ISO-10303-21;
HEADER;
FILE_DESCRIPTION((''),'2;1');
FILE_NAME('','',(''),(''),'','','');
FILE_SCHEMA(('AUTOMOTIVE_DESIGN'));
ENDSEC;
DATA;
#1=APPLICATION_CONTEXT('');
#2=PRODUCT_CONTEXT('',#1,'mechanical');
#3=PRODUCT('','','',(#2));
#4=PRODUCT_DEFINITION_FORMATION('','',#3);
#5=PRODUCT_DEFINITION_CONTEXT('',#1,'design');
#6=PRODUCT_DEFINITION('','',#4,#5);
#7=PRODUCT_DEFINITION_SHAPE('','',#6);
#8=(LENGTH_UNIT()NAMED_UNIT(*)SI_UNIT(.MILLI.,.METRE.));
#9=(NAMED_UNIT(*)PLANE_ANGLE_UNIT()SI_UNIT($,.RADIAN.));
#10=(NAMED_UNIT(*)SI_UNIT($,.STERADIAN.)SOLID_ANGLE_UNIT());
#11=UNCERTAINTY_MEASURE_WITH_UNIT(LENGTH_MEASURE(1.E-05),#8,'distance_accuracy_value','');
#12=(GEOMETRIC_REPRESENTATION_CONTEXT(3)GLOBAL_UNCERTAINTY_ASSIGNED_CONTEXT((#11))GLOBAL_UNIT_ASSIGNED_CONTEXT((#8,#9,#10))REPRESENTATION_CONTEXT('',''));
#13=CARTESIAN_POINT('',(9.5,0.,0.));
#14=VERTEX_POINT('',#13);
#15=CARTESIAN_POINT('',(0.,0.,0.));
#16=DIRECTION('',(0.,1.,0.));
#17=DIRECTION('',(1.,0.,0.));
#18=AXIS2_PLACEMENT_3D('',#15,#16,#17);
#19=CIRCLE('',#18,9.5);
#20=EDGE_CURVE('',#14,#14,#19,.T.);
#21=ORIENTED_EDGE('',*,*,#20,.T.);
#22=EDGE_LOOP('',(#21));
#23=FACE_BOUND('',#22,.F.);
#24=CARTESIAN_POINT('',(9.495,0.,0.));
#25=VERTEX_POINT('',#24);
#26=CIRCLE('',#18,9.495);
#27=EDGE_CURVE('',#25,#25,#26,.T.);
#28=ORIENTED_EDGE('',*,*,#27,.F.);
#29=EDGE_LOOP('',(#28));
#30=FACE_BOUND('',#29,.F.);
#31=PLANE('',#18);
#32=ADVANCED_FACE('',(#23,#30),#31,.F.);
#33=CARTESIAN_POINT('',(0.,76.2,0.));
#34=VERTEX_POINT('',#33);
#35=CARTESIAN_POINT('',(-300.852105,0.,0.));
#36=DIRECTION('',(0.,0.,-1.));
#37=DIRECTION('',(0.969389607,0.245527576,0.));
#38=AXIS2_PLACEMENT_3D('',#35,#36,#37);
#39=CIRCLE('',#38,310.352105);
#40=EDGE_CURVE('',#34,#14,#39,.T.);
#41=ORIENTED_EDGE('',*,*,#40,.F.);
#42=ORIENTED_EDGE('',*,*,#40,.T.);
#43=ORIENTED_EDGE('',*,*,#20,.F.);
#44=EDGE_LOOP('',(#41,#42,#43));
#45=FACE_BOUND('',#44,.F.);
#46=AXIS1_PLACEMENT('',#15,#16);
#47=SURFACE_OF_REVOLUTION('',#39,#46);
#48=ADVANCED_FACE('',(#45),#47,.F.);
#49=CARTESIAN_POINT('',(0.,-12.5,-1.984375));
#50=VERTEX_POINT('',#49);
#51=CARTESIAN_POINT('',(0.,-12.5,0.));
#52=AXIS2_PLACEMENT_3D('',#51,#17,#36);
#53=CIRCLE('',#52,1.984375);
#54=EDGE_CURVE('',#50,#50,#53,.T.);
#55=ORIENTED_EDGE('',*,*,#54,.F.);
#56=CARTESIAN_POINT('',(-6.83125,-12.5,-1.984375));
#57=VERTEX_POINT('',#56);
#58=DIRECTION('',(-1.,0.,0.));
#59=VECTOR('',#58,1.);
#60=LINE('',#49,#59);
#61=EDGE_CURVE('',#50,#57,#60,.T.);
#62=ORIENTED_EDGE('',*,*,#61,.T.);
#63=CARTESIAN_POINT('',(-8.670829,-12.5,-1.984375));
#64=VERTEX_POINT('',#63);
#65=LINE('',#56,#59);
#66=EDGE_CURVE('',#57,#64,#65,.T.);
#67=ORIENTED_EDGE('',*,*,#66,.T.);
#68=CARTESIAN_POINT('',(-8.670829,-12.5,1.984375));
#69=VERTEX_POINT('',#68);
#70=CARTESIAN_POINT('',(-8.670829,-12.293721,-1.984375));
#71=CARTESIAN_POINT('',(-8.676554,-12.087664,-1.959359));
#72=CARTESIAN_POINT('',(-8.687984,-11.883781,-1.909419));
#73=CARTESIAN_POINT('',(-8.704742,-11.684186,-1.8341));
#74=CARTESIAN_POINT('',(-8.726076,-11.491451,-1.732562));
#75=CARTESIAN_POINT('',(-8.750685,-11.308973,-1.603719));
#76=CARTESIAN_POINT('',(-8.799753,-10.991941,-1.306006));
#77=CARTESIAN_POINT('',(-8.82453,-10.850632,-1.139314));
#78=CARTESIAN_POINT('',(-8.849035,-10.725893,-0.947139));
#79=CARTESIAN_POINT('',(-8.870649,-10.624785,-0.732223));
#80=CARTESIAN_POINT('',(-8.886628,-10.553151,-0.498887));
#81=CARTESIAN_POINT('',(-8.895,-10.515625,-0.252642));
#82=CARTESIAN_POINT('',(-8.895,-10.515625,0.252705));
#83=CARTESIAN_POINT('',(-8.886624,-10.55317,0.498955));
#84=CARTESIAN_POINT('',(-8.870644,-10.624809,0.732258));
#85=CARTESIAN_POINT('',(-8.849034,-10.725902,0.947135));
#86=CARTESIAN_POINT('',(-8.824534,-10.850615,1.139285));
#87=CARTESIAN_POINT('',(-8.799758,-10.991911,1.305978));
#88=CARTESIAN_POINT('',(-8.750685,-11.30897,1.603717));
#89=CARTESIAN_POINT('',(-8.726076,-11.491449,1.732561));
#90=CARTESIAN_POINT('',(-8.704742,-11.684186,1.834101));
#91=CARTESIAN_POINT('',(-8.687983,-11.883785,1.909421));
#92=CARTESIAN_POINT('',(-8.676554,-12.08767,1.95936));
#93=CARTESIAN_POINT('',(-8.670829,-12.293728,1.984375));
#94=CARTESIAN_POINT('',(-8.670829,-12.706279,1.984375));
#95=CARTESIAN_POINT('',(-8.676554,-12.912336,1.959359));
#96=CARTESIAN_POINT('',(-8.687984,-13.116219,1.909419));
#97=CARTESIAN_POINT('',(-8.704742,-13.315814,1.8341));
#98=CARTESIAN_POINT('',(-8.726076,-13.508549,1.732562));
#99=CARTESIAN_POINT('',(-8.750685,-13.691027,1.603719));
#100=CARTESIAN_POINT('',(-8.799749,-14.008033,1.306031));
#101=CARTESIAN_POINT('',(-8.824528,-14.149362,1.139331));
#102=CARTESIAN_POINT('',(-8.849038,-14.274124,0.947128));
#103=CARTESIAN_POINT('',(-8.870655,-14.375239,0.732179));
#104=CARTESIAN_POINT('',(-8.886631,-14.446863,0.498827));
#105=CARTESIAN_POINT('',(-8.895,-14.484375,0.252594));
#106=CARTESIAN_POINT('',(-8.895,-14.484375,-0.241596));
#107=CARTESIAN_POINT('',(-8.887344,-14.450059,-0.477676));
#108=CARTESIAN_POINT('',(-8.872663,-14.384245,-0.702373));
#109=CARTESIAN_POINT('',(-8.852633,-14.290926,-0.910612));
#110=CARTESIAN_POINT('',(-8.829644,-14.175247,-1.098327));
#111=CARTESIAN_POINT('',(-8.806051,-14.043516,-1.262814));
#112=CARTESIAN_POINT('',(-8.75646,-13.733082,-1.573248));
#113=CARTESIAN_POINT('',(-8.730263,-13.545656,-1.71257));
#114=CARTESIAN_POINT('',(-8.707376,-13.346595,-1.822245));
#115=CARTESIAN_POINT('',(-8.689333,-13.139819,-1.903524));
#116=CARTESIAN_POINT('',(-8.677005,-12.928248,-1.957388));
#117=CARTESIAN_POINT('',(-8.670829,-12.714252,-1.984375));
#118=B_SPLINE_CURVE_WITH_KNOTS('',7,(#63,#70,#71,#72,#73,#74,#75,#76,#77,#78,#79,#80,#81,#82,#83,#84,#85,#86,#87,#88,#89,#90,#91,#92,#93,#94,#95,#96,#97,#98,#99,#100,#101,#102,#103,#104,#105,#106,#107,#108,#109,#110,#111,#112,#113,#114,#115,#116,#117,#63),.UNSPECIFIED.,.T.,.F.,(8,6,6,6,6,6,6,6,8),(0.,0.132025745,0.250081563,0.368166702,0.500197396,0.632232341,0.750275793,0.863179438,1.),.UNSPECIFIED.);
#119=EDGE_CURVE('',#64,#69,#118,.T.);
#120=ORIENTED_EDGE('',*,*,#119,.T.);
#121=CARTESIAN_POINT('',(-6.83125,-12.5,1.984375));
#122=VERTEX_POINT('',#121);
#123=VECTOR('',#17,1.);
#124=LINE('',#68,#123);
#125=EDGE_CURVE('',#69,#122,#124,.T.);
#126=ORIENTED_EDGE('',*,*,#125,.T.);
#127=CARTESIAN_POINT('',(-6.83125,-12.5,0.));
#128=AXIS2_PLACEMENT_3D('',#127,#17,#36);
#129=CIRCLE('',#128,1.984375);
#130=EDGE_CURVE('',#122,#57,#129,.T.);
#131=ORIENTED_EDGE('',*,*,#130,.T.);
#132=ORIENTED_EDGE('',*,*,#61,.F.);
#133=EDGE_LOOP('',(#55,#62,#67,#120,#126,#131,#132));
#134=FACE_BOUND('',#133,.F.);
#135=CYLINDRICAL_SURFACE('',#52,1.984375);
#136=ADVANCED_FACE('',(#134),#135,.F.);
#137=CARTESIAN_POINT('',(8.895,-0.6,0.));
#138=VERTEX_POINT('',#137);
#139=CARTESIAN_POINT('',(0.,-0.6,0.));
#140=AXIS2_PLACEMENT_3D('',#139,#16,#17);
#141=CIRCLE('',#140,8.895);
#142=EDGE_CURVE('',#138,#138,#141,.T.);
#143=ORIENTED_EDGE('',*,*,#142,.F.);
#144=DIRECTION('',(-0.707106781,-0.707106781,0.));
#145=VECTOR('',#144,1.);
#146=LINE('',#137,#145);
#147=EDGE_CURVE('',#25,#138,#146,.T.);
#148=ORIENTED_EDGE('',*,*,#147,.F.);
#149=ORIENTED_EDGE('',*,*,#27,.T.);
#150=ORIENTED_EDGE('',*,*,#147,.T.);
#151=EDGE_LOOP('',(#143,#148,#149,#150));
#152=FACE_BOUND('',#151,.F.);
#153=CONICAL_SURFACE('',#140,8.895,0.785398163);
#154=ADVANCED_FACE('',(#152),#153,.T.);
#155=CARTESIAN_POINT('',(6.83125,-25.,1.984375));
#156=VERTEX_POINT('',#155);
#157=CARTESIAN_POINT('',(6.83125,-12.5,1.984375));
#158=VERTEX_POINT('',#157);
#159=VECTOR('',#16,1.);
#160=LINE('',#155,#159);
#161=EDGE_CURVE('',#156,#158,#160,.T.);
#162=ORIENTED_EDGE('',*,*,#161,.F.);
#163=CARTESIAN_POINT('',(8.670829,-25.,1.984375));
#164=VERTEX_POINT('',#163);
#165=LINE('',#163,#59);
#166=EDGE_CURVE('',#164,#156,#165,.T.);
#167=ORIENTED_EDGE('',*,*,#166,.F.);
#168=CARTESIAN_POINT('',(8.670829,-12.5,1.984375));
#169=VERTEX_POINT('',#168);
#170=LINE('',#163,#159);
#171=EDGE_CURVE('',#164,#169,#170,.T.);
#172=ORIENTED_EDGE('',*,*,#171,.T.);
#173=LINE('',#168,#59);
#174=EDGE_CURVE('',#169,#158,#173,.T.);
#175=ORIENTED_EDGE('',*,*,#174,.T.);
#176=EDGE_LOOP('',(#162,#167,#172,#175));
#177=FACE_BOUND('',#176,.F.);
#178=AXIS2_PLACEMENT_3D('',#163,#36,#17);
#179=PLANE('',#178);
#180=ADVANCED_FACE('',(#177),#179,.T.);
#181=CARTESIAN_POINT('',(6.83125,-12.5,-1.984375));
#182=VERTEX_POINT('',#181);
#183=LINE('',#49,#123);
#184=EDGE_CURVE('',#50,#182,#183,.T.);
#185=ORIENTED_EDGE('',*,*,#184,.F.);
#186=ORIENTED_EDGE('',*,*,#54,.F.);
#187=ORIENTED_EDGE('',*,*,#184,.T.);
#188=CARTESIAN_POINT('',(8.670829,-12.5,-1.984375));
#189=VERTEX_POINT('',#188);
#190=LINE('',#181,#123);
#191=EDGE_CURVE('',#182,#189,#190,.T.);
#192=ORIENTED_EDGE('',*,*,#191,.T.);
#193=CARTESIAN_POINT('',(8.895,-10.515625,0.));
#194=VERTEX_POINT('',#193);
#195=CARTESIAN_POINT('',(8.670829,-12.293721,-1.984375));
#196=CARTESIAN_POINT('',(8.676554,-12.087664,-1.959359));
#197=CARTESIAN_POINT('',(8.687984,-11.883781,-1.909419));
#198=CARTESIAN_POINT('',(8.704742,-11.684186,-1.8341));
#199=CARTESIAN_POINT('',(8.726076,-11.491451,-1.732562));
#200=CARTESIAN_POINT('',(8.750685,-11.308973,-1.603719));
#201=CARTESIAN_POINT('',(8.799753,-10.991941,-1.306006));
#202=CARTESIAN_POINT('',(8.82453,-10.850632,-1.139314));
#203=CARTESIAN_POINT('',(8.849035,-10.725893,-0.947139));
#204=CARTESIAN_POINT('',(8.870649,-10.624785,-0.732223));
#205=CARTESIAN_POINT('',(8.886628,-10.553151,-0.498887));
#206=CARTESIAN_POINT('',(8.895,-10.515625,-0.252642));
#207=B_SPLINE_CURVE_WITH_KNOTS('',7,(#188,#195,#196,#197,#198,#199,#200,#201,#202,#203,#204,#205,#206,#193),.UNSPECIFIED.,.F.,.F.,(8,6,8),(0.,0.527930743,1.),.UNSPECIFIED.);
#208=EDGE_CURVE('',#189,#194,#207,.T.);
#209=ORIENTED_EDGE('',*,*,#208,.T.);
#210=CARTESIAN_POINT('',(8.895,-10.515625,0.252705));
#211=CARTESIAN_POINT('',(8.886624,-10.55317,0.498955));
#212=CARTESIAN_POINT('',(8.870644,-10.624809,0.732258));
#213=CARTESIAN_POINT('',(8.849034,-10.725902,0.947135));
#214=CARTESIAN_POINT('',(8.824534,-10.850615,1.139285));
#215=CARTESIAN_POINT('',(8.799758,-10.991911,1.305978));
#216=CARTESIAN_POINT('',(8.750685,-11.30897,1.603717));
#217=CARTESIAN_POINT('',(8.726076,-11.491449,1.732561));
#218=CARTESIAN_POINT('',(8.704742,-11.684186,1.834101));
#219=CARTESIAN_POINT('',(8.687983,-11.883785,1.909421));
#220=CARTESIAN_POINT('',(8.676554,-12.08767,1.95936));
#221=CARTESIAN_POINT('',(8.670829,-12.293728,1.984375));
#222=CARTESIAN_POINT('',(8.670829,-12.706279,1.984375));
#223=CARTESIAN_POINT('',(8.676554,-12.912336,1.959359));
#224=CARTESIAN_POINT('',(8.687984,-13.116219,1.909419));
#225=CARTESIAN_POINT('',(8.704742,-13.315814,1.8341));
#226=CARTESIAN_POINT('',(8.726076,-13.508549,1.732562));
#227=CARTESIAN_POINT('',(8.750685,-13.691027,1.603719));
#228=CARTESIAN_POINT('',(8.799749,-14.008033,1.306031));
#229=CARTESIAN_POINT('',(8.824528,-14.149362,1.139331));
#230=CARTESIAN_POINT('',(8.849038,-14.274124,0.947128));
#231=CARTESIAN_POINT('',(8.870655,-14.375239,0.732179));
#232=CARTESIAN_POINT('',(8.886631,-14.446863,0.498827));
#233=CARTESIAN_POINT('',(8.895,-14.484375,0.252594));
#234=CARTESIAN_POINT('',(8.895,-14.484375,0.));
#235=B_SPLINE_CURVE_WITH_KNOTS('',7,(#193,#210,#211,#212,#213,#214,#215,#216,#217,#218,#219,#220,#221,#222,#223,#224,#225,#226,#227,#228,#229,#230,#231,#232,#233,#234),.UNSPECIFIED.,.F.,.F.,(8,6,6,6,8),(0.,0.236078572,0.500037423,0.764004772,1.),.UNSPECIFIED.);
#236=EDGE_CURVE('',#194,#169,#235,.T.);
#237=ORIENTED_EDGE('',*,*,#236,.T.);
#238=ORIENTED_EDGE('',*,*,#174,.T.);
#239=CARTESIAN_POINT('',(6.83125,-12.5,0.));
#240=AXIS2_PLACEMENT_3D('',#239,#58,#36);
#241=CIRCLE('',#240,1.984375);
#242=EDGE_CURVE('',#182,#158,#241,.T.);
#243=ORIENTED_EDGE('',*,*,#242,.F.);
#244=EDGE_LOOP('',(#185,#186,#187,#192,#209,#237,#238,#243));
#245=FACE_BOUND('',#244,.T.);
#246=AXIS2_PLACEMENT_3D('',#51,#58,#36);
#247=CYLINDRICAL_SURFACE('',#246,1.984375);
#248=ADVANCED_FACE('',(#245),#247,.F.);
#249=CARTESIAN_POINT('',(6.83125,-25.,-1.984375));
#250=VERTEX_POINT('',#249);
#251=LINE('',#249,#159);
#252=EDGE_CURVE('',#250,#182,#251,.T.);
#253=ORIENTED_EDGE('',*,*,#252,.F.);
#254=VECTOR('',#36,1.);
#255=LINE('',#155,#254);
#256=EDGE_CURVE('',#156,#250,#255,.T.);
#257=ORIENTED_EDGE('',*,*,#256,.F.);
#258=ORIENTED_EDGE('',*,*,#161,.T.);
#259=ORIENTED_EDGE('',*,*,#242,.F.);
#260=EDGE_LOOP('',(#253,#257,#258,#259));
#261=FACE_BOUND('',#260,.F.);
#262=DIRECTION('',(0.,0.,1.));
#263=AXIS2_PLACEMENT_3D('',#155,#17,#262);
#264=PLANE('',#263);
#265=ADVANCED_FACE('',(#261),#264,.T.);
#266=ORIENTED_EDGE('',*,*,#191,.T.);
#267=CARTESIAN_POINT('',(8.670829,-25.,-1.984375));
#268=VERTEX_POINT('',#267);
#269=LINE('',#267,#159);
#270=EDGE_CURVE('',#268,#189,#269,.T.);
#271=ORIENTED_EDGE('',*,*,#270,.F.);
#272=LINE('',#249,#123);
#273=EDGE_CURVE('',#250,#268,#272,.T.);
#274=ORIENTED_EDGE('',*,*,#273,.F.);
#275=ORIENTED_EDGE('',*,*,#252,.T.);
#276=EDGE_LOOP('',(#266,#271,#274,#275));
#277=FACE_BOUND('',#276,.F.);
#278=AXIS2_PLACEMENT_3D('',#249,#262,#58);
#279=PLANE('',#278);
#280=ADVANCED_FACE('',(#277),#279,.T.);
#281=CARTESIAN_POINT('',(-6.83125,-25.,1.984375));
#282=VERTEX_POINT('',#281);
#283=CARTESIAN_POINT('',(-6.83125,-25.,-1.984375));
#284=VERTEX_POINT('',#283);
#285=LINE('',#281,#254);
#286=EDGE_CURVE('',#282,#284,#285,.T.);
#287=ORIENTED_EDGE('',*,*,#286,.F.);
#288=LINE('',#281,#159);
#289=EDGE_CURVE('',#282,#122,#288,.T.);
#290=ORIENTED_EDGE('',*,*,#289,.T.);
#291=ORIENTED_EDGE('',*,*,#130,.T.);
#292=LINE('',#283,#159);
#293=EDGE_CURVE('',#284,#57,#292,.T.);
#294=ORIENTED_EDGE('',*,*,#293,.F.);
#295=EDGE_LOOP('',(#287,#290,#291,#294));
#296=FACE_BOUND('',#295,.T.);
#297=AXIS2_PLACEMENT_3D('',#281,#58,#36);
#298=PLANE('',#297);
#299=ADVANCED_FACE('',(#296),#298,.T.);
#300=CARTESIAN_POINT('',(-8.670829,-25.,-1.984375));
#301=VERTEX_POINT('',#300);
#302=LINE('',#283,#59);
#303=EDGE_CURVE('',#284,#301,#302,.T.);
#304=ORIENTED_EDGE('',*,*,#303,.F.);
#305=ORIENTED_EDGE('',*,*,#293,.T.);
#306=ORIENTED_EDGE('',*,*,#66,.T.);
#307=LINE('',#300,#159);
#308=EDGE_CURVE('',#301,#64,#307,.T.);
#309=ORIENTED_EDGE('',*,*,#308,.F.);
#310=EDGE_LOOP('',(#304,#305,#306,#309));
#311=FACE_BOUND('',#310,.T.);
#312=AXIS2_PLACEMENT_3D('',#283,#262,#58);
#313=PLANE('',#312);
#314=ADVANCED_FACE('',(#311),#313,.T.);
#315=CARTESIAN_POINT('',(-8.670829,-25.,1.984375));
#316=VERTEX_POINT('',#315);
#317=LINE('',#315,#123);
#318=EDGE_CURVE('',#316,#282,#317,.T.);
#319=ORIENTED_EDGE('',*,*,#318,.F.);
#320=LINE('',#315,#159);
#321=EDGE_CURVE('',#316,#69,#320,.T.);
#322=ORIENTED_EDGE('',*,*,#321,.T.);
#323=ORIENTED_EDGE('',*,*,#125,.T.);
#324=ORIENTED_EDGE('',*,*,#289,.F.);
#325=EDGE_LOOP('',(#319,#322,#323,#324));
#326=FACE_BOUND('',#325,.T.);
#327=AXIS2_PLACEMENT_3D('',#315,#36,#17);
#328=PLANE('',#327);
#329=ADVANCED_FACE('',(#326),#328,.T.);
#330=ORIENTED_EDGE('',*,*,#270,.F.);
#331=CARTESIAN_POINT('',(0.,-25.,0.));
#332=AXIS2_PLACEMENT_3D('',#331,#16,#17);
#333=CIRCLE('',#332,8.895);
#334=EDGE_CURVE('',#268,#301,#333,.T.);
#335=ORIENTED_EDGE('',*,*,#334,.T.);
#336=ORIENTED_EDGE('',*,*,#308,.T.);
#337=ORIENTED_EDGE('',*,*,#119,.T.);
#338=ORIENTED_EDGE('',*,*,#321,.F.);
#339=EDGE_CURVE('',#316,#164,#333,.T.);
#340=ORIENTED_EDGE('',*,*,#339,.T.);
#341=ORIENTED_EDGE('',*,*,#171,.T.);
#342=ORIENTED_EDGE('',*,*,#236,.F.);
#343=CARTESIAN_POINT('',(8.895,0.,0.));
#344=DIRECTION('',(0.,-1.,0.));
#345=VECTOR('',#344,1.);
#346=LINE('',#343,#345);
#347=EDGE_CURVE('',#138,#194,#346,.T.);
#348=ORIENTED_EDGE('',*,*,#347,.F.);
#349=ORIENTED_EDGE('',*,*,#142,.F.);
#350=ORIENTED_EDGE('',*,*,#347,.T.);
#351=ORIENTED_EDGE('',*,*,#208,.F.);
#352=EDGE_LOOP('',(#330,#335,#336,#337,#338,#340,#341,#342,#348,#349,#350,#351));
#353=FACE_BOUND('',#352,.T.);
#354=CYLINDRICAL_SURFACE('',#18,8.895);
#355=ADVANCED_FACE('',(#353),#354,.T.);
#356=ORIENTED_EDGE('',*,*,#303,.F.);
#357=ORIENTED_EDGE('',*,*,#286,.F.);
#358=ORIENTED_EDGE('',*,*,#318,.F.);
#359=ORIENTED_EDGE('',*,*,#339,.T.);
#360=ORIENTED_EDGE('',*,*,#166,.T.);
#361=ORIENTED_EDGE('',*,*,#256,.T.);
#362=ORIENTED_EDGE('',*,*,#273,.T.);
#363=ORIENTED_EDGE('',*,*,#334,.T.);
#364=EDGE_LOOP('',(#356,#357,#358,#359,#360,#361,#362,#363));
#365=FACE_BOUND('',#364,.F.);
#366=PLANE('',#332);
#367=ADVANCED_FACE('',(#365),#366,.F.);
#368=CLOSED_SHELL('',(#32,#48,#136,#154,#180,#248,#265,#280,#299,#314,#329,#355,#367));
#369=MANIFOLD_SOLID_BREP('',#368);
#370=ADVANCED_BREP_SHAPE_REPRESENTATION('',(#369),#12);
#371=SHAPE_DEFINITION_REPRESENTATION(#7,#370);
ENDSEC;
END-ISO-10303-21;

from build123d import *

# Parameters (mm, degrees)
SKETCH1_R               = 8.895
BOSS_EXTRUDE1_DEPTH     = 25
CUT_EXTRUDE1_DEPTH      = 12.5
SKETCH3_R               = 1.984375
CUT_EXTRUDE2_DEPTH      = 9.895
CUT_EXTRUDE2_DEPTH_BACK = 9.895
CHAMFER1_SIZE           = 0.6


with BuildPart() as part:
    # Sketch1 → Boss-Extrude1 (new body)
    with BuildSketch(Plane(origin=(0, 0, 0), x_dir=(1, 0, 0), z_dir=(0, 1, 0))):
        Circle(SKETCH1_R)
    extrude(amount=-BOSS_EXTRUDE1_DEPTH)

    # Sketch2 → Cut-Extrude1 (cut)
    with BuildSketch(Plane.XZ.offset(25)):
        with BuildLine():
            Line((-6.83125, 1.984375), (-6.83125, -1.984375))
            Line((-6.83125, -1.984375), (-8.670829306, -1.984375))
            ThreePointArc((-8.670829306, -1.984375), (-8.895, 0), (-8.670829306, 1.984375))
            Line((-8.670829306, 1.984375), (-6.83125, 1.984375))
        make_face()
    cut_extrude1 = extrude(amount=-CUT_EXTRUDE1_DEPTH, mode=Mode.SUBTRACT)

    # Mirror1: Cut-Extrude1 across plane
    add(cut_extrude1.mirror(Plane(origin=(0, 0, 0), x_dir=(0, 0, 1), z_dir=(1, 0, 0))), mode=Mode.SUBTRACT)

    # Sketch3 → Cut-Extrude2 (cut, two sides)
    with BuildSketch(Plane(origin=(0, 0, 0), x_dir=(0, 0, -1), z_dir=(1, 0, 0))) as cut_extrude2_sk:
        with Locations((0, -12.5)):
            Circle(SKETCH3_R)
    extrude(amount=CUT_EXTRUDE2_DEPTH, mode=Mode.SUBTRACT)
    extrude(cut_extrude2_sk.sketch, amount=-CUT_EXTRUDE2_DEPTH_BACK, mode=Mode.SUBTRACT)

    # Sketch4 → Revolve1 (revolve)
    with BuildSketch(Plane.XY):
        with BuildLine():
            Line((0, 0), (0, 76.2))
            ThreePointArc((0, 76.2), (7.115842324, 38.394954096), (9.5, 0))
            Line((9.5, 0), (0, 0))
        make_face()
    revolve(axis=Axis((0, 0, 0), (0, 1, 0)))

    # Chamfer1
    chamfer1_edges = [part.edges().sort_by_distance(p)[0] for p in [
        (-8.895, 0, 0),
    ]]
    chamfer(chamfer1_edges, length=CHAMFER1_SIZE)


solid = part.part
